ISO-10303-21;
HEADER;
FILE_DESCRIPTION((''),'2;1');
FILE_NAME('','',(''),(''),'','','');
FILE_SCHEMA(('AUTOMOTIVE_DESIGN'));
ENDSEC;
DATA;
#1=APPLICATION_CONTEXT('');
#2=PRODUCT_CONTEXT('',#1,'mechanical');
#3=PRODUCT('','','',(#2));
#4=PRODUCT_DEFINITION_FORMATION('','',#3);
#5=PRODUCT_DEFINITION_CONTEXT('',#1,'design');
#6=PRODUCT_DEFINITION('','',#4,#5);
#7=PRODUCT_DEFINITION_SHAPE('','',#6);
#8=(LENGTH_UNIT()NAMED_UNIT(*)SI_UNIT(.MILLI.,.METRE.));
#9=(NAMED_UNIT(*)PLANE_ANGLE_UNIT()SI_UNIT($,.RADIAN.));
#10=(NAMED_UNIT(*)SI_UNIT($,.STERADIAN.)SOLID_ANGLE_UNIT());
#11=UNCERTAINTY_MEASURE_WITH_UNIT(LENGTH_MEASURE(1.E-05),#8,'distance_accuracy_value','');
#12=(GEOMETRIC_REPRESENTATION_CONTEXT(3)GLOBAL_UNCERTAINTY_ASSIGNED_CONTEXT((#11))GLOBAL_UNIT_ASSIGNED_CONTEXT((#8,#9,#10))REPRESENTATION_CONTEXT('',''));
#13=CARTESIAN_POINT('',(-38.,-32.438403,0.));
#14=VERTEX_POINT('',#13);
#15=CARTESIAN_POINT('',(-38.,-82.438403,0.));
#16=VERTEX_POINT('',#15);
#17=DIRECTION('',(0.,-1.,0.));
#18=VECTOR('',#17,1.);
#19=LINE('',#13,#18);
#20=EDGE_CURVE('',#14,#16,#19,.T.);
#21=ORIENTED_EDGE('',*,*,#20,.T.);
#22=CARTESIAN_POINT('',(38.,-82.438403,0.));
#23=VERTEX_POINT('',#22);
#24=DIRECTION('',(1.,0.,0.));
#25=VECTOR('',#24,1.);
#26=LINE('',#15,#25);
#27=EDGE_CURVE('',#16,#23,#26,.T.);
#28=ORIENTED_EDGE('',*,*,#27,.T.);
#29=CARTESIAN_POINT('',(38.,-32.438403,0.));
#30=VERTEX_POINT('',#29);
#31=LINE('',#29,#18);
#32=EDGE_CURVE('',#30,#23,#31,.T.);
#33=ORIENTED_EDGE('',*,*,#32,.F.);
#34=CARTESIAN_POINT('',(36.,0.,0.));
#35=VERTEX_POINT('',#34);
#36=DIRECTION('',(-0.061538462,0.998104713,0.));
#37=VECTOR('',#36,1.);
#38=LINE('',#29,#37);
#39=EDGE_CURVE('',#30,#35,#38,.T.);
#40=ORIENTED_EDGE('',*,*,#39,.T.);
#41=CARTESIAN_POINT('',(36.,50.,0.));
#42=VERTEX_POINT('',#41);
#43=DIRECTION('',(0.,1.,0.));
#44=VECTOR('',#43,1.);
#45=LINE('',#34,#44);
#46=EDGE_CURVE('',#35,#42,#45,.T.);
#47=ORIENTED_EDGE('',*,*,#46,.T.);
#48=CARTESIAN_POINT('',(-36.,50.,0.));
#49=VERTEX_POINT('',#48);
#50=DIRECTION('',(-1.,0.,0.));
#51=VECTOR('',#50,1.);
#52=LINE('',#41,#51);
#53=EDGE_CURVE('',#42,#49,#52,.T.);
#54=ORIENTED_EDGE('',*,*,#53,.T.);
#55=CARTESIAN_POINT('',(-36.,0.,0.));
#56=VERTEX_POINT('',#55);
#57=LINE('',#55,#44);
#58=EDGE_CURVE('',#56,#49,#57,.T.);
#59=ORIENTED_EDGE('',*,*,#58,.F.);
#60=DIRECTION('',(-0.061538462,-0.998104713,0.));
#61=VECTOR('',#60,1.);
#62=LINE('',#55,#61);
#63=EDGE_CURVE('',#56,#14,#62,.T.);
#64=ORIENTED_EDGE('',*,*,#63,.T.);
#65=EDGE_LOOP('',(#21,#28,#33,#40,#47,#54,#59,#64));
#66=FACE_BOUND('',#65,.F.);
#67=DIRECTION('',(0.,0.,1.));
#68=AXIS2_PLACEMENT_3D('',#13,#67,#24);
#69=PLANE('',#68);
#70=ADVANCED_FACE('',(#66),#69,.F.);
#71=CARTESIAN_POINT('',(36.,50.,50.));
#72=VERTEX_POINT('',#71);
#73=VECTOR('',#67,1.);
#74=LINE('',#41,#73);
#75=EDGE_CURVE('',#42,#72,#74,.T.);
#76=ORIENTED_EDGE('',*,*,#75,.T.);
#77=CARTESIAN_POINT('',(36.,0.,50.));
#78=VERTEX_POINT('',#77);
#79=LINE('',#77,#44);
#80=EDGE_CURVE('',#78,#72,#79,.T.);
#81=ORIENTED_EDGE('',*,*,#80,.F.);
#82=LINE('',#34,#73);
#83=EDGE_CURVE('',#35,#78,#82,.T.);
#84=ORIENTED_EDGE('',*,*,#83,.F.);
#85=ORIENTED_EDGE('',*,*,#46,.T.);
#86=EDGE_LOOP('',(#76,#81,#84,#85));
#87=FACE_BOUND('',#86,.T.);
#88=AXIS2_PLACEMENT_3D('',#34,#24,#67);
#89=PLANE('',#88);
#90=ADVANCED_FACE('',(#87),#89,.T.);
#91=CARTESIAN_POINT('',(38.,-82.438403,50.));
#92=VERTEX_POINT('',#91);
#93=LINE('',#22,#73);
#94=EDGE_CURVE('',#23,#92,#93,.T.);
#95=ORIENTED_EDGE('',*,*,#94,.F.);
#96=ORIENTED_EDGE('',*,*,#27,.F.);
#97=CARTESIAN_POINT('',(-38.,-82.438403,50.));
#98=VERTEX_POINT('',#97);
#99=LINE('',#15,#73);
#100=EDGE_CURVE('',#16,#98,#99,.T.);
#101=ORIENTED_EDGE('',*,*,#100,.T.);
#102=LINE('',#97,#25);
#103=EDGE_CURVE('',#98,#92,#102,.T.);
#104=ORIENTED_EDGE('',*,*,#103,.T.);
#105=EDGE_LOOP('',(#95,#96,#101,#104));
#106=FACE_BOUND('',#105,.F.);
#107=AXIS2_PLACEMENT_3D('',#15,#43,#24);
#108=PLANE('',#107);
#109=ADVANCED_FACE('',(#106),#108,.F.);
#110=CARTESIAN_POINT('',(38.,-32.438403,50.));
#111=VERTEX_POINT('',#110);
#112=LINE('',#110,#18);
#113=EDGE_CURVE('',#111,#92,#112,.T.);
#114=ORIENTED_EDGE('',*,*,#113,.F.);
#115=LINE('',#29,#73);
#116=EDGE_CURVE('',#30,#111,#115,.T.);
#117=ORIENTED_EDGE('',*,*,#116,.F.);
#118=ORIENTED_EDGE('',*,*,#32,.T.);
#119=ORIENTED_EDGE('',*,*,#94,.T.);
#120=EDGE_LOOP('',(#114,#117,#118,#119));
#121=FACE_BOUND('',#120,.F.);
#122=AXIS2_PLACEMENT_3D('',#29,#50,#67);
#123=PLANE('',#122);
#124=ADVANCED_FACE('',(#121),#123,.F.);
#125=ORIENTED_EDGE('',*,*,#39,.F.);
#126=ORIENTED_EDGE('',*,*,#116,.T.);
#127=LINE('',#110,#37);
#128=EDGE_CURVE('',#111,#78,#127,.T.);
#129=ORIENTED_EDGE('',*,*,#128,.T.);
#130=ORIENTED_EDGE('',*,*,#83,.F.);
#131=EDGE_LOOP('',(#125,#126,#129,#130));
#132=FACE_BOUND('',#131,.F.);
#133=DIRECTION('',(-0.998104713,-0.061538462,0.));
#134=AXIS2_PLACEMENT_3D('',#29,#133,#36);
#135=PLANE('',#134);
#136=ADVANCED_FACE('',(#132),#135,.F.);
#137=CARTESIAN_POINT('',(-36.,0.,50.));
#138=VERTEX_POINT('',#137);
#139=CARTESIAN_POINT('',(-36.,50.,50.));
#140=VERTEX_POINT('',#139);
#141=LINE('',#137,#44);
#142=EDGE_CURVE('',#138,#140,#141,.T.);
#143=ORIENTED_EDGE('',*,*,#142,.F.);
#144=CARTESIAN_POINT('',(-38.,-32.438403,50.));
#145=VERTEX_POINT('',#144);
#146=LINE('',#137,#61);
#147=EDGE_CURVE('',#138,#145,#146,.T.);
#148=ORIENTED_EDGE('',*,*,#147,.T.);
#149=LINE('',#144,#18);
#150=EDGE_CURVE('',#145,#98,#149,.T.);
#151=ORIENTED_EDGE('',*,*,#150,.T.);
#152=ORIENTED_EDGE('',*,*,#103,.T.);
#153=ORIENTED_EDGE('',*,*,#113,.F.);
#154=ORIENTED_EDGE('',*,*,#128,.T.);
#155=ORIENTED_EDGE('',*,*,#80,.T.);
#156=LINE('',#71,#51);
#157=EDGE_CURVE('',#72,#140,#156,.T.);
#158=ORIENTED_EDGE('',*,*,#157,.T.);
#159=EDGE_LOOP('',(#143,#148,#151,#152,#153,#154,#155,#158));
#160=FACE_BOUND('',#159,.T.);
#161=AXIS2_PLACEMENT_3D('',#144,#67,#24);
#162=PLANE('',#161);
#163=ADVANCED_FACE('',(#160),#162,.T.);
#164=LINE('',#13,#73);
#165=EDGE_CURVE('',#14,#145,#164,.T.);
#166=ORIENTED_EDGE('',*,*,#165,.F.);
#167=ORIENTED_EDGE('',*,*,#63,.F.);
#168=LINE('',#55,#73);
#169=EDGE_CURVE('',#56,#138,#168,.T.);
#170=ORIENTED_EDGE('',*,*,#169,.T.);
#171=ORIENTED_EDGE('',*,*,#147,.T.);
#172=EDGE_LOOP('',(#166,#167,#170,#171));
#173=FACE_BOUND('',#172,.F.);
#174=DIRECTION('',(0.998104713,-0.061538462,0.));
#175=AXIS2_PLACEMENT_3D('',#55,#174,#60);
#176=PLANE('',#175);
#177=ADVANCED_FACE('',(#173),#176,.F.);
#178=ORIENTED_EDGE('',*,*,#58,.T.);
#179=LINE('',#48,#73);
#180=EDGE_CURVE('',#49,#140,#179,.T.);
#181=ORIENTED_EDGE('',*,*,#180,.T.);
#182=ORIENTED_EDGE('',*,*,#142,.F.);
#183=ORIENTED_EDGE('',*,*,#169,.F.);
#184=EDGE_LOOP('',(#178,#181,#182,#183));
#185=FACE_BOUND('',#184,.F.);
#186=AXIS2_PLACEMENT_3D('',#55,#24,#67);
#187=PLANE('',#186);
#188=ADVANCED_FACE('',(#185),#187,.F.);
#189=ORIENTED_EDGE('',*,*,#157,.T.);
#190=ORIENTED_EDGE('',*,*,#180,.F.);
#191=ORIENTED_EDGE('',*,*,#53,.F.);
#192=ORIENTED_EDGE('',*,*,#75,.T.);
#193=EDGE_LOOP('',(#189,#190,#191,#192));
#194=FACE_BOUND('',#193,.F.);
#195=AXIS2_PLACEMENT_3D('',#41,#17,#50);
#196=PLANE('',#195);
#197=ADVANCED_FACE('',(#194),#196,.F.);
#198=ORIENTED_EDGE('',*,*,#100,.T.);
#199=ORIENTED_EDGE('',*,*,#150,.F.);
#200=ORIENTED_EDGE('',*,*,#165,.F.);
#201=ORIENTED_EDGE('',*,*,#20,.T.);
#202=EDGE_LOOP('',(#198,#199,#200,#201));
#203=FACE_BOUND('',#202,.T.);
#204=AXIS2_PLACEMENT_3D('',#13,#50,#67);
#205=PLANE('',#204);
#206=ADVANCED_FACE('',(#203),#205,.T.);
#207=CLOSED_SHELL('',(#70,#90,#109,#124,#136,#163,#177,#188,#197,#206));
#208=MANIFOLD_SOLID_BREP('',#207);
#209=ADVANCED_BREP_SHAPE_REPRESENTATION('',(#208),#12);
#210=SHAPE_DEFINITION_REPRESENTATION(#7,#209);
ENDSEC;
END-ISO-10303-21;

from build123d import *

# Parameters (mm, degrees)
F1_DEPTH = 50
F2_DEPTH = 50
F3_DEPTH = 50


with BuildPart() as f1:
    # F0 (on Top) → F1 (new body)
    with BuildSketch(Plane.XY):
        Polygon((-38, -32.4384031666), (0, -32.4384031666), (38, -32.4384031666), (36, 0), (0, 0), (-36, 0), align=None)
    extrude(amount=F1_DEPTH)

    # F2 (add): a face of the model
    f2_faces = [f1.faces().sort_by_distance(p)[0] for p in [
        (0, 0, 25),
    ]]
    extrude(f2_faces, amount=F2_DEPTH)

    # F3 (add): a face of the model
    f3_faces = [f1.faces().sort_by_distance(p)[0] for p in [
        (0, -32.4384031666, 25),
    ]]
    extrude(f3_faces, amount=F3_DEPTH)


solid = f1.part
